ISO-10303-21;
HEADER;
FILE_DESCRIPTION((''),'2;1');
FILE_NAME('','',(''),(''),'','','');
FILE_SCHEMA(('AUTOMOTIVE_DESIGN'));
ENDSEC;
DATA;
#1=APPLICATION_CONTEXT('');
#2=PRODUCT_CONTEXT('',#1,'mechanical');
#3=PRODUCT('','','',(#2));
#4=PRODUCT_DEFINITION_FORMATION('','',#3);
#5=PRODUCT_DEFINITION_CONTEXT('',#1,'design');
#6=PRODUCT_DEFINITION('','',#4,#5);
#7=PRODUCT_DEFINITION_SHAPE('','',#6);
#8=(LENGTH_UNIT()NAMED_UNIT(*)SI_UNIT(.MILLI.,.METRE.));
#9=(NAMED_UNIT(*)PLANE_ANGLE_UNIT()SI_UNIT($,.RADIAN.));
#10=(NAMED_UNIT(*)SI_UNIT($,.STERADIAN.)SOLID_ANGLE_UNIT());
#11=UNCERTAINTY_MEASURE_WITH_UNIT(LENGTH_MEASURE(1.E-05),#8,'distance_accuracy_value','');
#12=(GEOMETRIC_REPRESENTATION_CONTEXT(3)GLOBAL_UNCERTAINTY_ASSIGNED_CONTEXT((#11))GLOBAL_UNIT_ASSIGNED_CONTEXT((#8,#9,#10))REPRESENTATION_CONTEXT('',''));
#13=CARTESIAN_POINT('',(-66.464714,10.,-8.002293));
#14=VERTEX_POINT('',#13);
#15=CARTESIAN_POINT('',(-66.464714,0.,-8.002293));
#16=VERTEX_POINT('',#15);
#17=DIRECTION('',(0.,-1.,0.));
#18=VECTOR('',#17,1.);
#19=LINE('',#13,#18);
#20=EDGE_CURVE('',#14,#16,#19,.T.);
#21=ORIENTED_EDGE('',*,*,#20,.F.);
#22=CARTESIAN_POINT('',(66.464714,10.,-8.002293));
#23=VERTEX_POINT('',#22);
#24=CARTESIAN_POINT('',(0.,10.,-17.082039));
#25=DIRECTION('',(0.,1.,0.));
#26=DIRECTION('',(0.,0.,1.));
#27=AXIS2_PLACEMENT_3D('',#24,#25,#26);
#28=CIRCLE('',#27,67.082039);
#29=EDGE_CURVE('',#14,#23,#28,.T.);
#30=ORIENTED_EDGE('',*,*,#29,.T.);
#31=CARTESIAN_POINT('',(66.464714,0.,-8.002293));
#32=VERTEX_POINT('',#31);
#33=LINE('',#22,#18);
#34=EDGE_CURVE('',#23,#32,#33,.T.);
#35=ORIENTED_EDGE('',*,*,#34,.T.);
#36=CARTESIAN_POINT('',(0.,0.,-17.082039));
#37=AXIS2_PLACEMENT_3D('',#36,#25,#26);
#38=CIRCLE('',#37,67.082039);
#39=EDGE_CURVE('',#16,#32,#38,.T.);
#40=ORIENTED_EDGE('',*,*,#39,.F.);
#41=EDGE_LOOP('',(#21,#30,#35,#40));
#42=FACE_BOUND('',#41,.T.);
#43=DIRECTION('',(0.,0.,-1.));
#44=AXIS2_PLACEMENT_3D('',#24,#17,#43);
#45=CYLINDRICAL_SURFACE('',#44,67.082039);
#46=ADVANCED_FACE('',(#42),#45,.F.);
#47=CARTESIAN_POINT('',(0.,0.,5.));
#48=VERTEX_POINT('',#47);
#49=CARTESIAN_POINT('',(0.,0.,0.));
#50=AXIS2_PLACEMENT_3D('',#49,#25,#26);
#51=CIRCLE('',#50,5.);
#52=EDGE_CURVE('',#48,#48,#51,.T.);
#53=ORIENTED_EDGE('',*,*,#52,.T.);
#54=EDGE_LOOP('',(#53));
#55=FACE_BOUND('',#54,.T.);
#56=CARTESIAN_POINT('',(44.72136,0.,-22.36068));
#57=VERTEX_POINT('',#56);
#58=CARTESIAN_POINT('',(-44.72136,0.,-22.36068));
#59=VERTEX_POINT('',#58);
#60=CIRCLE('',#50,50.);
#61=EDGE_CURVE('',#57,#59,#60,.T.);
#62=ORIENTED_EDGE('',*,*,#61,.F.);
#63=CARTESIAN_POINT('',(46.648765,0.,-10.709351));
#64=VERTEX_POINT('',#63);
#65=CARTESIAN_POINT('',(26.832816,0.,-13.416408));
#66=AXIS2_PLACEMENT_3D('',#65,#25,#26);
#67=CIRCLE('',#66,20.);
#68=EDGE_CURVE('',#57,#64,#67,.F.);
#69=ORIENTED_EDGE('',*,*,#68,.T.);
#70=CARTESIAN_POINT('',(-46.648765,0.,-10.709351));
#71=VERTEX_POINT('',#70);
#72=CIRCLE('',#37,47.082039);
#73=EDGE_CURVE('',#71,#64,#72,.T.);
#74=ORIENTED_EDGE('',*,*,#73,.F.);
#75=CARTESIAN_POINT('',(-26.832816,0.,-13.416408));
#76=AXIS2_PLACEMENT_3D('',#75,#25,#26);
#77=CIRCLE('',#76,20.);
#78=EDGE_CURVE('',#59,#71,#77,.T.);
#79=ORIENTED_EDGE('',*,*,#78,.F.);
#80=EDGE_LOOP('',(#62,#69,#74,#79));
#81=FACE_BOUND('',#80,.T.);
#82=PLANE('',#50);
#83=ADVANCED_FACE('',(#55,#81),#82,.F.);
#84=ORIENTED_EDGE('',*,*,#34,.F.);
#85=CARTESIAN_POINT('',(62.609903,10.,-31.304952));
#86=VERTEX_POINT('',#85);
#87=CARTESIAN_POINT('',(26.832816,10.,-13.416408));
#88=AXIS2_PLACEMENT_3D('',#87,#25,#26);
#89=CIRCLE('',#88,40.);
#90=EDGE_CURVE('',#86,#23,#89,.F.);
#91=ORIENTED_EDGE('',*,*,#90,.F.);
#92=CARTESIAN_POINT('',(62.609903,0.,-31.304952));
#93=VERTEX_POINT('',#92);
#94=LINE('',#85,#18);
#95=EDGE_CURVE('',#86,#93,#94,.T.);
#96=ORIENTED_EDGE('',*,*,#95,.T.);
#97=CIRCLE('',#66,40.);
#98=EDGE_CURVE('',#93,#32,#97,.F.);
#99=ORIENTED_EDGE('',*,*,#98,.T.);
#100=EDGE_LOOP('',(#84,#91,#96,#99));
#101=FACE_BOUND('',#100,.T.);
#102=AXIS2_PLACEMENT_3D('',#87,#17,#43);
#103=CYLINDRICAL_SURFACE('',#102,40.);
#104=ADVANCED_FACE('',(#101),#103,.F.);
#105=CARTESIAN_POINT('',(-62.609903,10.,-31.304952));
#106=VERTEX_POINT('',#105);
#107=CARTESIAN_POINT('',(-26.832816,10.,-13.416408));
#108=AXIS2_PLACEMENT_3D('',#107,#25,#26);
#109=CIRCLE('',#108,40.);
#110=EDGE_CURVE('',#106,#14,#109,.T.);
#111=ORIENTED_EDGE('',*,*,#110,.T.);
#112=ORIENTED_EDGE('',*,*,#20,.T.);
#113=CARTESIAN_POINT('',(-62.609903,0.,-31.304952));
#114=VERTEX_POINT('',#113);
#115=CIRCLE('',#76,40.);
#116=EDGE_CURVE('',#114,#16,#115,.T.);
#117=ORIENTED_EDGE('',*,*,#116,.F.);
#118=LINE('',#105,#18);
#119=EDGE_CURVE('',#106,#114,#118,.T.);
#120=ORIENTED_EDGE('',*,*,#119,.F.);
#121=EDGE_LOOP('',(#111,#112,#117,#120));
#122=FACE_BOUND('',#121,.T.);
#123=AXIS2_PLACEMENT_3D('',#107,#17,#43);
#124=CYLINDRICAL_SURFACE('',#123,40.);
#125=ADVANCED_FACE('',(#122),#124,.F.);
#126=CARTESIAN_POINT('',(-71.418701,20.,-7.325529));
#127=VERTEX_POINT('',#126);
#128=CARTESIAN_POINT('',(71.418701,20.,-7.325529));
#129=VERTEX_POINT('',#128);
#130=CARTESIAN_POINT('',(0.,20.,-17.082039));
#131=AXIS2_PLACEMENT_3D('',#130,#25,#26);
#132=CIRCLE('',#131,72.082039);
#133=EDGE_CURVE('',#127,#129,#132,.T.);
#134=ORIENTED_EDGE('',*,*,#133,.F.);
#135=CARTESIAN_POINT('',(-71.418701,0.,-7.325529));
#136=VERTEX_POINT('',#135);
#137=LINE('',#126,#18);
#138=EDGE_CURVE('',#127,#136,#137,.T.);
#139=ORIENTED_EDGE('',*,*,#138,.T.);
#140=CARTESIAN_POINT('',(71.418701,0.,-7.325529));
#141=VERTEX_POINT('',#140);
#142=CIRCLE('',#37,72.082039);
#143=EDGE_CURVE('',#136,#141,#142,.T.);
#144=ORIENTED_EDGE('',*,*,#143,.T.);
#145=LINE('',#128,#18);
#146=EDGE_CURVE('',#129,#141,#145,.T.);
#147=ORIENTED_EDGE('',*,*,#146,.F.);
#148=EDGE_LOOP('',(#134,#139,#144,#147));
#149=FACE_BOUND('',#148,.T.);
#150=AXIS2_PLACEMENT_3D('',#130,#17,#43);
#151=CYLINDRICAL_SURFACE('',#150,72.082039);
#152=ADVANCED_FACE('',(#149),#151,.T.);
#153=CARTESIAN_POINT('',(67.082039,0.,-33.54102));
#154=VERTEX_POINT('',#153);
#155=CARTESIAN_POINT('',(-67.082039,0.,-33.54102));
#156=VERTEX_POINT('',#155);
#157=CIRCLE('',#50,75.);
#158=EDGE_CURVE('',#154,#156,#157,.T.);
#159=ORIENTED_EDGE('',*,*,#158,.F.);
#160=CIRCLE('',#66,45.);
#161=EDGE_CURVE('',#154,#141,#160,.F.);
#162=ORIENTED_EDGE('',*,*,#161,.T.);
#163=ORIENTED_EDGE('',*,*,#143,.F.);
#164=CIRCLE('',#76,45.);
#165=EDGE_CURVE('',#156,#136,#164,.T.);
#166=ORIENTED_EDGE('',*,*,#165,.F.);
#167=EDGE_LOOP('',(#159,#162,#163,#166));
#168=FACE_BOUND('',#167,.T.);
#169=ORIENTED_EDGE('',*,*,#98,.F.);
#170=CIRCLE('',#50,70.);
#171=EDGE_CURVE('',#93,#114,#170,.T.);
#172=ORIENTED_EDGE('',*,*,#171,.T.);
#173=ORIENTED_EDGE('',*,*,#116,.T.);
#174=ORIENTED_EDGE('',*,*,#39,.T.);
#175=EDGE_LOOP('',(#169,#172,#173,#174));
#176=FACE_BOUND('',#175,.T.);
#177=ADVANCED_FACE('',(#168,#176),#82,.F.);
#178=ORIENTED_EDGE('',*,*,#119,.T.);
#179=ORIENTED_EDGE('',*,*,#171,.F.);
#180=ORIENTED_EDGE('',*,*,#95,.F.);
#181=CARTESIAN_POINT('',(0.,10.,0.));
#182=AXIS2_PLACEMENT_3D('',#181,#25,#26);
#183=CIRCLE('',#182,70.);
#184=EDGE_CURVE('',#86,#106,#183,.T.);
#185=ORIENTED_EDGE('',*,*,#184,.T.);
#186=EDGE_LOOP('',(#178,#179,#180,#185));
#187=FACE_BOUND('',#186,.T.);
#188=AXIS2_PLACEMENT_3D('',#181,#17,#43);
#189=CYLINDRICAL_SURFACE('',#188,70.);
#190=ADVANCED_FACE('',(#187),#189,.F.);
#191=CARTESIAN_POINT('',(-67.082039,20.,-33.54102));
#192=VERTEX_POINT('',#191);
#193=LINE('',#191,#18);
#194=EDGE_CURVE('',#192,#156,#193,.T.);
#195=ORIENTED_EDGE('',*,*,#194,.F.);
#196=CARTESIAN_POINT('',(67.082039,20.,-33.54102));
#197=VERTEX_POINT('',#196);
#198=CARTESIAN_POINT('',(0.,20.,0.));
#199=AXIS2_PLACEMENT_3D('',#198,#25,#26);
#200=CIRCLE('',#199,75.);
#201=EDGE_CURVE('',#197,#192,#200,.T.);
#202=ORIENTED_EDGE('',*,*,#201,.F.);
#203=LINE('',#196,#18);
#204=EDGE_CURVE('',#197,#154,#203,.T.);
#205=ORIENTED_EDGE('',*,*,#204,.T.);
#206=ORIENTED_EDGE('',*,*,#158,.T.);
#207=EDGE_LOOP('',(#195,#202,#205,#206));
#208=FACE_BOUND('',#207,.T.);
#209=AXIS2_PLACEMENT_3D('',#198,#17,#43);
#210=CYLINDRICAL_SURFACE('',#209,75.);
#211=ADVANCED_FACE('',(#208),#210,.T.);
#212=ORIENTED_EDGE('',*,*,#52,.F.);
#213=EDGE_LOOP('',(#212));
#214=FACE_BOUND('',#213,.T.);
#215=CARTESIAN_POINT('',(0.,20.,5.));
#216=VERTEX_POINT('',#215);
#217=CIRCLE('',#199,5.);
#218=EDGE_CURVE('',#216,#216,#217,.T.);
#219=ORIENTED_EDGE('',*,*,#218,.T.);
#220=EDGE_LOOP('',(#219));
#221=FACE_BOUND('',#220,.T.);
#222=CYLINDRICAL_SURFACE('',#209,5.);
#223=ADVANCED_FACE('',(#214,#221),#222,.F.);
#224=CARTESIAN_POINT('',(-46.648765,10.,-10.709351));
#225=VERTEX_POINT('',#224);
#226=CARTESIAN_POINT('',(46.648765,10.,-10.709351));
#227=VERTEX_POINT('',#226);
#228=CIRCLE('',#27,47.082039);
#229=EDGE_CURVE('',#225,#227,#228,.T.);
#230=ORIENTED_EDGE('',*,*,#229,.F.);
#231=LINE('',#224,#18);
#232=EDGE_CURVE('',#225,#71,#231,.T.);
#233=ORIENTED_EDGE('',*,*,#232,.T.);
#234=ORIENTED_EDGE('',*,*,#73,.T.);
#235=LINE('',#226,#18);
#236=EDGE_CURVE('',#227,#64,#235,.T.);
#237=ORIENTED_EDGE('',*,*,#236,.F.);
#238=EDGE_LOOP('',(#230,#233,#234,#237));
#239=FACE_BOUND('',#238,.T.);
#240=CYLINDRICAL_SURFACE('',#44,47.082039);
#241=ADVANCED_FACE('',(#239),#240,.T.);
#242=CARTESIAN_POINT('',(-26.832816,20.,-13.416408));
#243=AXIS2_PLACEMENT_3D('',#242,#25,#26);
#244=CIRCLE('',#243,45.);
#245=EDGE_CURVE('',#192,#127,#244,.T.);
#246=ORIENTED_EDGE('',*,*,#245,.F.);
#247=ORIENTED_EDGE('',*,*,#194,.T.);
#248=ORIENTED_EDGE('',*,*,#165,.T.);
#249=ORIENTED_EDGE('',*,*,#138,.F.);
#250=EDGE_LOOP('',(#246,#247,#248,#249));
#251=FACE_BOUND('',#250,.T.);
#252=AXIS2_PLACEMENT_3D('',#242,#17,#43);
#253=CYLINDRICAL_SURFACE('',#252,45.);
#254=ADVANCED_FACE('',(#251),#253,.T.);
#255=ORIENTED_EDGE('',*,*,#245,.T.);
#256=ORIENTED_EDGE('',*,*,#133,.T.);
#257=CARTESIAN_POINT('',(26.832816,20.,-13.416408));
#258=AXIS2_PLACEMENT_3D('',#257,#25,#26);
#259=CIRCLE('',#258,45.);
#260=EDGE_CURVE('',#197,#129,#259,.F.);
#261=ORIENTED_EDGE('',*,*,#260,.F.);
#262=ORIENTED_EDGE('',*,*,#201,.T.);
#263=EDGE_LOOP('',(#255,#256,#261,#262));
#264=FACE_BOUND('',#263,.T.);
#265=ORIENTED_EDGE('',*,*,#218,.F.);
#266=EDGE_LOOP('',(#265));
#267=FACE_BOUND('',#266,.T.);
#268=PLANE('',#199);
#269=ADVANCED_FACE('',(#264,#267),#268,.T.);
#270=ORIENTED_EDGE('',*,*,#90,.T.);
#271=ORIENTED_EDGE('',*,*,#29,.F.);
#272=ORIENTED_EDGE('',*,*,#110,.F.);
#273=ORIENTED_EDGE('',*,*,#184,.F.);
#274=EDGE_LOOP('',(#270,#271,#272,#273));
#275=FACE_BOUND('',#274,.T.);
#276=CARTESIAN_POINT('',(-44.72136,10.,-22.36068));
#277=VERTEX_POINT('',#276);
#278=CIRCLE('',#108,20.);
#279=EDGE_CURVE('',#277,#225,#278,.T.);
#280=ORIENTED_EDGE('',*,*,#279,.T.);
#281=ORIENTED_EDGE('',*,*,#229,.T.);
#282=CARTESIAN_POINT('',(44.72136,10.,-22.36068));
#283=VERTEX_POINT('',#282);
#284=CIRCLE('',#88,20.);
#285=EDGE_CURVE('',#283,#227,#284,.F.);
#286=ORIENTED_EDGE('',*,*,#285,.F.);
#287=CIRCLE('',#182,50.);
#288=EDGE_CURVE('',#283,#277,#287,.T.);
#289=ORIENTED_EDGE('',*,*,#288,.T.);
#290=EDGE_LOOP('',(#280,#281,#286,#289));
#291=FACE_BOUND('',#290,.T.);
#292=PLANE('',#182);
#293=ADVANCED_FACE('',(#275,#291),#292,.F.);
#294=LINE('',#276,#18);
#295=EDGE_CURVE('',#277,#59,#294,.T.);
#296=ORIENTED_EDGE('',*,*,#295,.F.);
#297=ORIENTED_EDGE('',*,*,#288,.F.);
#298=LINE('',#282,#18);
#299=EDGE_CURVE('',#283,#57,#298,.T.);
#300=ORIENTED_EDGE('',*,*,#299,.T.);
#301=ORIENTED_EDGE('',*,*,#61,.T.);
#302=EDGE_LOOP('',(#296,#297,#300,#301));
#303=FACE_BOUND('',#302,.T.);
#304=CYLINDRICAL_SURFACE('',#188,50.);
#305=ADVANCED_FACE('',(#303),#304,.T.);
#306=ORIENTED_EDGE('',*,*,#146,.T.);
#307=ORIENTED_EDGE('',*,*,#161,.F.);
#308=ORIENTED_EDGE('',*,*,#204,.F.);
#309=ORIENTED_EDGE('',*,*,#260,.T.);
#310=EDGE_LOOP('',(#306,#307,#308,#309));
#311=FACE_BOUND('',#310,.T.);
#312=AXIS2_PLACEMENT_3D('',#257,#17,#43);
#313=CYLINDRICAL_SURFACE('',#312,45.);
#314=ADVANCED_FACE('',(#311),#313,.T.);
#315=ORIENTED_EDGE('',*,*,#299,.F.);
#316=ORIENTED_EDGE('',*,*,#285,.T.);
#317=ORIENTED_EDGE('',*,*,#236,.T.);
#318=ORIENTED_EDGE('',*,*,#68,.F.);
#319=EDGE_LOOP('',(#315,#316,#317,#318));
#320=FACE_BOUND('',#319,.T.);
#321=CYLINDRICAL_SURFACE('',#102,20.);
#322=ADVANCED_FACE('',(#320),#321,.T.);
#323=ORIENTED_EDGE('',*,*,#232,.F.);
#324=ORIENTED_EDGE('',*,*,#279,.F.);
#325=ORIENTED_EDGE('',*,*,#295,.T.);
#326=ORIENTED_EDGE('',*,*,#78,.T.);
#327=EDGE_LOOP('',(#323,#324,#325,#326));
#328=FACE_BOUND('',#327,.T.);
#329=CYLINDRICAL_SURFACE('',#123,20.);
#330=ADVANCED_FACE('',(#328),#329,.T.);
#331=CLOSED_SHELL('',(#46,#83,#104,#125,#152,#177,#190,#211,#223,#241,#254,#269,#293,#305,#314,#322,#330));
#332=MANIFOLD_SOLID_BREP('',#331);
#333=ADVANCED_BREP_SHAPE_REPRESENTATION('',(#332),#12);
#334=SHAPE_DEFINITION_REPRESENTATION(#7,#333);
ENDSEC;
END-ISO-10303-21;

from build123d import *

# Parameters (mm, degrees)
SKETCH_1_R          = 5
EXTRUDE_3_DEPTH     = 20
CUT_EXTRUDE_2_DEPTH = 10


with BuildPart() as part:
    # 草图1 → 凸台-拉伸3 (new body)
    with BuildSketch(Plane(origin=(0, 0, 0), x_dir=(1, 0, 0), z_dir=(0, 1, 0))):
        with BuildLine():
            ThreePointArc((71.418701356, 7.325529194), (71.229458894, 20.760662474), (67.082039325, 33.541019662))
            ThreePointArc((67.082039325, 33.541019662), (0, 75), (-67.082039325, 33.541019662))
            ThreePointArc((-67.082039325, 33.541019662), (-71.229458894, 20.760662474), (-71.418701356, 7.325529194))
            ThreePointArc((-71.418701356, 7.325529194), (0, -55), (71.418701356, 7.325529194))
        make_face()
        Circle(SKETCH_1_R, mode=Mode.SUBTRACT)
    extrude(amount=EXTRUDE_3_DEPTH)

    # 草图1<4> → 切除-拉伸2 (cut)
    with BuildSketch(Plane(origin=(0, 0, 0), x_dir=(1, 0, 0), z_dir=(0, 1, 0))):
        with BuildLine():
            ThreePointArc((66.464714064, 8.002293491), (66.296498543, 19.944634184), (62.60990337, 31.304951685))
            ThreePointArc((62.60990337, 31.304951685), (0, 70), (-62.60990337, 31.304951685))
            ThreePointArc((-62.60990337, 31.304951685), (-66.296498543, 19.944634184), (-66.464714064, 8.002293491))
            ThreePointArc((-66.464714064, 8.002293491), (0, -50), (66.464714064, 8.002293491))
        make_face()
        with BuildLine():
            ThreePointArc((46.648764897, 10.709350678), (0, -30), (-46.648764897, 10.709350678))
            ThreePointArc((-46.648764897, 10.709350678), (-46.564657136, 16.680521024), (-44.72135955, 22.360679775))
            ThreePointArc((-44.72135955, 22.360679775), (0, 50), (44.72135955, 22.360679775))
            ThreePointArc((44.72135955, 22.360679775), (46.564657136, 16.680521024), (46.648764897, 10.709350678))
        make_face(mode=Mode.SUBTRACT)
    extrude(amount=CUT_EXTRUDE_2_DEPTH, mode=Mode.SUBTRACT)


solid = part.part
